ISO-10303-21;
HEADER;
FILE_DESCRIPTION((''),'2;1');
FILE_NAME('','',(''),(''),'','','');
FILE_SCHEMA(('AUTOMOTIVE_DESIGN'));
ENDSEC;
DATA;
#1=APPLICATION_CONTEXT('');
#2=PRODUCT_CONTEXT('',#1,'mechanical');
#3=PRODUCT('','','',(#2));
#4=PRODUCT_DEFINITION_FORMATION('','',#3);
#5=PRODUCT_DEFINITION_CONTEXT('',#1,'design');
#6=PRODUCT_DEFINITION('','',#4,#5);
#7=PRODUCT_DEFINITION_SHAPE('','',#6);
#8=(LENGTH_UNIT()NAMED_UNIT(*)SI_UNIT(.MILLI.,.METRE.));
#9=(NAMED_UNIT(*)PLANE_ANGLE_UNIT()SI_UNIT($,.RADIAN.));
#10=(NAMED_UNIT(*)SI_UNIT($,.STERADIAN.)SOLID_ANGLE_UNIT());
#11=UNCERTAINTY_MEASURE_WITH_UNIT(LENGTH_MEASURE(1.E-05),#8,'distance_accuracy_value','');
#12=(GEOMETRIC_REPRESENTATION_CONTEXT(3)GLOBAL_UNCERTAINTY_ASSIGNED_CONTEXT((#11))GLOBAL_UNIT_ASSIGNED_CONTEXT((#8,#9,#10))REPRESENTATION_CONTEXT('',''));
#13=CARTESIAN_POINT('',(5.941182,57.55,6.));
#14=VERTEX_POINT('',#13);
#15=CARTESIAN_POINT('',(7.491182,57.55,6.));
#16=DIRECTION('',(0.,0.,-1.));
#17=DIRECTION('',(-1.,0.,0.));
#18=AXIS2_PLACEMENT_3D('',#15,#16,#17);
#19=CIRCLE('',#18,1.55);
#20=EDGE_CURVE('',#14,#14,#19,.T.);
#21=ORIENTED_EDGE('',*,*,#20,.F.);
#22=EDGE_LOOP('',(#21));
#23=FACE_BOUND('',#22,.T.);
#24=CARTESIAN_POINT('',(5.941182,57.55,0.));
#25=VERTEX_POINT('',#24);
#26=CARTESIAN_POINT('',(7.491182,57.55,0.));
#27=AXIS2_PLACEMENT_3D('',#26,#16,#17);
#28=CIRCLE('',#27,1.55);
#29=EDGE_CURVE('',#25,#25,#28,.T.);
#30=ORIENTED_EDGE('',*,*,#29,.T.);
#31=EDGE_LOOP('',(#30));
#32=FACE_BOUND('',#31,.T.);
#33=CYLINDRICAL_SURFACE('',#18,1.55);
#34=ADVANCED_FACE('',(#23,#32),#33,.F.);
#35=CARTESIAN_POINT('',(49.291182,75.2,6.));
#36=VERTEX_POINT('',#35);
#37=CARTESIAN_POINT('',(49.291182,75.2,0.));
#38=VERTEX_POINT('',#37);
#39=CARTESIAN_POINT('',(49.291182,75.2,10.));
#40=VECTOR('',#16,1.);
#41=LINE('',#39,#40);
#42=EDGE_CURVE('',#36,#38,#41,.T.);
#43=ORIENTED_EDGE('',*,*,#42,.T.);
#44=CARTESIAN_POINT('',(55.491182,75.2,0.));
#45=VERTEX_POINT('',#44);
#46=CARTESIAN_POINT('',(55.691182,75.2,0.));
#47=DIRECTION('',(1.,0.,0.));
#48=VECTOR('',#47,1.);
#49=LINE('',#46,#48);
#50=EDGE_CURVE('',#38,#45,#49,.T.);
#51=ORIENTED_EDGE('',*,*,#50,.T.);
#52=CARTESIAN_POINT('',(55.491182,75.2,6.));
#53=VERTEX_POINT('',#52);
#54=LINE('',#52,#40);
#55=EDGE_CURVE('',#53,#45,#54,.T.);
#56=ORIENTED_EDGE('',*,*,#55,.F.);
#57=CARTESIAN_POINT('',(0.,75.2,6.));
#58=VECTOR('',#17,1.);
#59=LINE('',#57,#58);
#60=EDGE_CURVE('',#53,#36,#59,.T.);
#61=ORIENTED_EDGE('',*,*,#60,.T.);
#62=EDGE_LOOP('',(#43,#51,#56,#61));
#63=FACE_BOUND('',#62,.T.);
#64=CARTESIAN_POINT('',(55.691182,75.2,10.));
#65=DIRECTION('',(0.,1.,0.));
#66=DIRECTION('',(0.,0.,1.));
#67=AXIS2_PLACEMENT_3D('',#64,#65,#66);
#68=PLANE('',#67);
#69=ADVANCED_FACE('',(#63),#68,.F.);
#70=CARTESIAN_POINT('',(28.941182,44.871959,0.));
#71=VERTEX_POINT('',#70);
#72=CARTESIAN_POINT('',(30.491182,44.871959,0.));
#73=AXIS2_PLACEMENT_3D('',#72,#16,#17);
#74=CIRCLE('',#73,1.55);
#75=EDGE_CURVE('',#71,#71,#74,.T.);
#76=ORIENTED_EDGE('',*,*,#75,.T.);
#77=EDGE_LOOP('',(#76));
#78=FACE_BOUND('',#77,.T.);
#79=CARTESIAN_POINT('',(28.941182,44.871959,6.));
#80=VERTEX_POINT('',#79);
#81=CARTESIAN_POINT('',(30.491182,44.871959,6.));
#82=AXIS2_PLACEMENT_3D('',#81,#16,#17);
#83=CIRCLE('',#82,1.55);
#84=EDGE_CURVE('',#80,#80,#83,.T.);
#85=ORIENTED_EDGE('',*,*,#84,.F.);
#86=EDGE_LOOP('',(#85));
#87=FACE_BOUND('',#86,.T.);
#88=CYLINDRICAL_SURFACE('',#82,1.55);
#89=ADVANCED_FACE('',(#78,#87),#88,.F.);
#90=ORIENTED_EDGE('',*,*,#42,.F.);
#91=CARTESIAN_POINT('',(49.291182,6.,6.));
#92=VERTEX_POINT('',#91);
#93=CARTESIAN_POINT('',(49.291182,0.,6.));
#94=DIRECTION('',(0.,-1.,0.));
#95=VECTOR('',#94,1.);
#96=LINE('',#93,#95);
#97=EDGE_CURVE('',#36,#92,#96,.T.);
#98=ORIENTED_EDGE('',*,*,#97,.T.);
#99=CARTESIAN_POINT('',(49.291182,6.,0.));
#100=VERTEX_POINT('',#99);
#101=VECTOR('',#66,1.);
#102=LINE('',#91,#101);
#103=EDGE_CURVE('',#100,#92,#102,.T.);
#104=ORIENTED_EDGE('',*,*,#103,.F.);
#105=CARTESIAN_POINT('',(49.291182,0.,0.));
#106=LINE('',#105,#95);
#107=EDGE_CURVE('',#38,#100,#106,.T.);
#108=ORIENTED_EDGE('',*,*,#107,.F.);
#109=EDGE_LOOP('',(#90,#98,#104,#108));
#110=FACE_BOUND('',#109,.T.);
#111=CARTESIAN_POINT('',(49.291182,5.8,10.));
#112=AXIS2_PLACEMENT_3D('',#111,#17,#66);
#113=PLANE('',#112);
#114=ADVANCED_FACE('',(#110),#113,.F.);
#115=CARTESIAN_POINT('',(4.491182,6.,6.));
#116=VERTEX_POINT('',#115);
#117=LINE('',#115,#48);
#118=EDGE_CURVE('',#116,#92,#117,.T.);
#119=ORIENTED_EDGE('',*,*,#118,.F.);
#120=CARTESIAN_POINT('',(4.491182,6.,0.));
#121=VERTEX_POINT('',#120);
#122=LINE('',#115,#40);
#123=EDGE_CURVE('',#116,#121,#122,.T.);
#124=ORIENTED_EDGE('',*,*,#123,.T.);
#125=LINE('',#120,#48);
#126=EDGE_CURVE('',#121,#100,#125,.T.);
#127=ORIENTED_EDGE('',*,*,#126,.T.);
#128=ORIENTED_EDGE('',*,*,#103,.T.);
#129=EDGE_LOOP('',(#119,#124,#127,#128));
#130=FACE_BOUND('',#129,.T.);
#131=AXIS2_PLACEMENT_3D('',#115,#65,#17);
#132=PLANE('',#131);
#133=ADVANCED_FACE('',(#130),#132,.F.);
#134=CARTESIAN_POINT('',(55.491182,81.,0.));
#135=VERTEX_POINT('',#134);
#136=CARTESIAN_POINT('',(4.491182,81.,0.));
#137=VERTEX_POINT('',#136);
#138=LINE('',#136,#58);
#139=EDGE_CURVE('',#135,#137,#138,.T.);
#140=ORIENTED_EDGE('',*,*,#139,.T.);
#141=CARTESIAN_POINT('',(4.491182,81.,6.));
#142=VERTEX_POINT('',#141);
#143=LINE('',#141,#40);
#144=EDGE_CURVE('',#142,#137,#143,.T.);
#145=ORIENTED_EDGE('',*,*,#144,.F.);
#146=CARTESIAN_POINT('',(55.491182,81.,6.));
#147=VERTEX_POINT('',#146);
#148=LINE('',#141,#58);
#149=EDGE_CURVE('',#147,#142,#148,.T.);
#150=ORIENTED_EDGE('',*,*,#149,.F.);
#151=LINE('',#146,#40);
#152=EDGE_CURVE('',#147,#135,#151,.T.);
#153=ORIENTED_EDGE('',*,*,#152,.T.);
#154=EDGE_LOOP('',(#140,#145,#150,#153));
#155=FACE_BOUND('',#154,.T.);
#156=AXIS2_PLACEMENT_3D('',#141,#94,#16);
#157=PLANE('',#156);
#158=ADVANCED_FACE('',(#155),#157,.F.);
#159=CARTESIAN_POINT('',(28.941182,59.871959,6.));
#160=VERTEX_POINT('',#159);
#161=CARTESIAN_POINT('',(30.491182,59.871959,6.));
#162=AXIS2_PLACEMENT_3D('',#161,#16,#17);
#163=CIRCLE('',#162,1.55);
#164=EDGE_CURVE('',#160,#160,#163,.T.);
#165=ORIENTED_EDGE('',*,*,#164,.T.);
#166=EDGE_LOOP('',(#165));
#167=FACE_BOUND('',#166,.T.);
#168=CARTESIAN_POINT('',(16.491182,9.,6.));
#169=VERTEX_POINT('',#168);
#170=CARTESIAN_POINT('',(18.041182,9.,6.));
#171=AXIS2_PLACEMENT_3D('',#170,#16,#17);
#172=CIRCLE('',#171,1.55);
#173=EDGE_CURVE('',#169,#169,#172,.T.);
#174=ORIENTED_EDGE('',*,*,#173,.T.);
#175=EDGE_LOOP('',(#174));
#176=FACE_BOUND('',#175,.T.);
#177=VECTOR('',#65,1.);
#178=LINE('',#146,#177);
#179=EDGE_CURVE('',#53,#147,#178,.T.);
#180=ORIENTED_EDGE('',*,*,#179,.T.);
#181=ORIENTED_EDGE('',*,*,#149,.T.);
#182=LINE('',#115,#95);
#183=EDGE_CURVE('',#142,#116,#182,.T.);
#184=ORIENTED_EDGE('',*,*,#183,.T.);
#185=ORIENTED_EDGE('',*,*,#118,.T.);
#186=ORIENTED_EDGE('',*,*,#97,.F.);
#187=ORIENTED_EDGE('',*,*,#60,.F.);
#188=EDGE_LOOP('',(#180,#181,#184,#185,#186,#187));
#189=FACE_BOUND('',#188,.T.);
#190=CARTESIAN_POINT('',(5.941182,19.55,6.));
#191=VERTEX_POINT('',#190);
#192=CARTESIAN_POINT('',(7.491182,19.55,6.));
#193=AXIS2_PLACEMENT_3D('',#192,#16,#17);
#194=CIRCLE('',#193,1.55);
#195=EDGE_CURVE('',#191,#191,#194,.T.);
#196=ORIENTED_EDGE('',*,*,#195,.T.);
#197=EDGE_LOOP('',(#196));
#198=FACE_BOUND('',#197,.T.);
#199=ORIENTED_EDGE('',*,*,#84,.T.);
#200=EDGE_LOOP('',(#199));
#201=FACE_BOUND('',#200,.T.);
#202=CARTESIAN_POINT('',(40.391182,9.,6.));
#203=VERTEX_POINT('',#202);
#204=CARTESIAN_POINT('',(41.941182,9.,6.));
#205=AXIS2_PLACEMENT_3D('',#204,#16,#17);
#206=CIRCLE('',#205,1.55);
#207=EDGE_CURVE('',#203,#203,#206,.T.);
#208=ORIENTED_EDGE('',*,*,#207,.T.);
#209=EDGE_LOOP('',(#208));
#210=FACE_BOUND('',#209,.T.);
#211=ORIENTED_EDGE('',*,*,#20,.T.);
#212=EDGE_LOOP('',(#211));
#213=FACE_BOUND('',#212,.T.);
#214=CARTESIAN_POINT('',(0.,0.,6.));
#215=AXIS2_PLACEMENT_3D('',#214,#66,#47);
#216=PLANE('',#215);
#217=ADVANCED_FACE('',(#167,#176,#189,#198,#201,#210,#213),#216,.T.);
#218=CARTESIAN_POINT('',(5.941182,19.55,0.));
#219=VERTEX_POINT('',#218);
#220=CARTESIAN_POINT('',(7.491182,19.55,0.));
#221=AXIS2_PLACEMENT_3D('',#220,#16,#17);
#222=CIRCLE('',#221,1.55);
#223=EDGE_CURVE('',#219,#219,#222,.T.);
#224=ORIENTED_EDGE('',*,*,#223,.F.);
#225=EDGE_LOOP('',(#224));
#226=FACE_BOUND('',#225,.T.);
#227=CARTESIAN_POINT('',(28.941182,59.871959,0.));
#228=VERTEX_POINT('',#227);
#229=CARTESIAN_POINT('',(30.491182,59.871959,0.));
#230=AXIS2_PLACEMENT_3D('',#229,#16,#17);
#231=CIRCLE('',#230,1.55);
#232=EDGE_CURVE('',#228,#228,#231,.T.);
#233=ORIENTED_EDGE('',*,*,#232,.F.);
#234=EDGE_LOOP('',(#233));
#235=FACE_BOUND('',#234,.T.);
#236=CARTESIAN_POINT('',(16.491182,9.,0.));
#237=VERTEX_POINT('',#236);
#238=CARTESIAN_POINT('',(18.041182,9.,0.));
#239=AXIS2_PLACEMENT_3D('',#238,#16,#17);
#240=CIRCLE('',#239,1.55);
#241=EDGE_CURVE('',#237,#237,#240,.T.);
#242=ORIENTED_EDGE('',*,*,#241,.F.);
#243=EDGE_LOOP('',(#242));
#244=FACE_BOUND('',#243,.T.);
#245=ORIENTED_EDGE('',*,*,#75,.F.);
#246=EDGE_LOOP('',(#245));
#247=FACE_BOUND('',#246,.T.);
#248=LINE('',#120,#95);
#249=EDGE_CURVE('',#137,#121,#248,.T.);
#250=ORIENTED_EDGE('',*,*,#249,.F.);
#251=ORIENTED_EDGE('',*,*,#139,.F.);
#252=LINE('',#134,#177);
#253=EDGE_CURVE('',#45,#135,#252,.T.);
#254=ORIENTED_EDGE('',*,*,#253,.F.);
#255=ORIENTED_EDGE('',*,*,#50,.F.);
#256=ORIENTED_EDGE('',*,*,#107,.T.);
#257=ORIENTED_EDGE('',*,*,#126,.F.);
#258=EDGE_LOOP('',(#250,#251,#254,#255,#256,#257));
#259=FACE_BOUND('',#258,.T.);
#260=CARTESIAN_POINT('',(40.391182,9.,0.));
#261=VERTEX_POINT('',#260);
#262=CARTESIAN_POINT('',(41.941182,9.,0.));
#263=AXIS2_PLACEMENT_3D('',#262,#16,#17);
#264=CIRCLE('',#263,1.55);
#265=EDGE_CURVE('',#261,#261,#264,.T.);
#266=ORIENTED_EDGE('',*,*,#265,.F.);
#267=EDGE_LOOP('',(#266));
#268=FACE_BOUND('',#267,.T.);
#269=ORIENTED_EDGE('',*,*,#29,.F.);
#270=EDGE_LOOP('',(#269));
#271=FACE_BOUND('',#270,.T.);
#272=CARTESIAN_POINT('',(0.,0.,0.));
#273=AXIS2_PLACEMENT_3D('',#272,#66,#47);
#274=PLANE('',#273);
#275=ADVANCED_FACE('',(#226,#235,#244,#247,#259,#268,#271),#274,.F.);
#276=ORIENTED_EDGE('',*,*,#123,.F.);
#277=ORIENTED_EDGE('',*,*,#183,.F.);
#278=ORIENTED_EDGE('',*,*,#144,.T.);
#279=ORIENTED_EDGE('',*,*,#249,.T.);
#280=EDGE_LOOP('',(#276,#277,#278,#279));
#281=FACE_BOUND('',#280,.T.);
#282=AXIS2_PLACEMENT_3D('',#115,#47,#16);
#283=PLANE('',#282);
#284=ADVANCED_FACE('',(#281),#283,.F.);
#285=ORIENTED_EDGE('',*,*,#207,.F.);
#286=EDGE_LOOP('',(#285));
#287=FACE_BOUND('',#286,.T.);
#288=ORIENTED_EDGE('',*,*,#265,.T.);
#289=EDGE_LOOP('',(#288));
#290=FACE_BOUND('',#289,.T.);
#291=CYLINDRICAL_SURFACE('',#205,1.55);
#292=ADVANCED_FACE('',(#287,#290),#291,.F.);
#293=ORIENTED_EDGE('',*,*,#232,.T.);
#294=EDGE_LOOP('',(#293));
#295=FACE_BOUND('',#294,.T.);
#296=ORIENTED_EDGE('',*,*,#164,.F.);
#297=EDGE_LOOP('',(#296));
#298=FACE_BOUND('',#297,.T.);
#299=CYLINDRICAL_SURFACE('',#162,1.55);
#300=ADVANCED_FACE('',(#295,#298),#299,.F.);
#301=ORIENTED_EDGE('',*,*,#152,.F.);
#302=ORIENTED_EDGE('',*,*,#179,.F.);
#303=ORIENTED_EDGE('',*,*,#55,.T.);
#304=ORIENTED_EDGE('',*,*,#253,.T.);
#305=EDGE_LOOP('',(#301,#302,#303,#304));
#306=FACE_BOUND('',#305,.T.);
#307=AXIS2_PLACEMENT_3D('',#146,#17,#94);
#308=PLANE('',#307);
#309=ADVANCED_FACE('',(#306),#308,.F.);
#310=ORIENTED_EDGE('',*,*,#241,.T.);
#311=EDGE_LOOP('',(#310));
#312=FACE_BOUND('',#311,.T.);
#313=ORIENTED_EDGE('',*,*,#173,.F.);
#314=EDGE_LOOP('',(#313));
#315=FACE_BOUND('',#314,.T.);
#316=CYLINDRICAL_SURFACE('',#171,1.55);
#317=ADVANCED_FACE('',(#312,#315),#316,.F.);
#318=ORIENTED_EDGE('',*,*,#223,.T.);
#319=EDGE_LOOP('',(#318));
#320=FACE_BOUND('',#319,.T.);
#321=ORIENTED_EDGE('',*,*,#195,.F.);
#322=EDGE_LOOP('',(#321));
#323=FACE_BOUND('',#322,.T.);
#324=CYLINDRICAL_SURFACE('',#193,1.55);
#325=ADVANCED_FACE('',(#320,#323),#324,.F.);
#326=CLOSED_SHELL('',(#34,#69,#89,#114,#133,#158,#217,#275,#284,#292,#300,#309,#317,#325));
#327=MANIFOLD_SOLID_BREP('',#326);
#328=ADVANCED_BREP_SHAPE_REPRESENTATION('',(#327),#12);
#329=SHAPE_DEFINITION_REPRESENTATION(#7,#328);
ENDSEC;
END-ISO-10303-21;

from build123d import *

# Parameters (mm, degrees)
SZKIC1_W                    = 51
SZKIC1_H                    = 75
DODANIE_WYCI_GNI_CIE1_DEPTH = 6
SZKIC3_R                    = 1.55
WYTNIJ_WYCI_GNI_CIE1_DEPTH  = 99.368039697
SZKIC5_R                    = 1.55
WYTNIJ_WYCI_GNI_CIE2_DEPTH  = 6
SZKIC6_W                    = 6.4
SZKIC6_H                    = 69.4
WYTNIJ_WYCI_GNI_CIE3_DEPTH  = 10


with BuildPart() as part:
    # Szkic1 → Dodanie-wyciągnięcie1 (new body)
    with BuildSketch(Plane.XY):
        with Locations((29.991181586, 43.5)):
            Rectangle(SZKIC1_W, SZKIC1_H)
    extrude(amount=DODANIE_WYCI_GNI_CIE1_DEPTH)

    # Szkic3 → Wytnij-wyciągnięcie1 (cut, through all)
    with BuildSketch(Plane(origin=(0, 0, 0), x_dir=(-1, 0, 0), z_dir=(0, 0, -1))):
        with Locations((-18.041181586, 9)):
            Circle(SZKIC3_R)
        with Locations((-41.941181586, 9)):
            Circle(SZKIC3_R)
        with Locations((-7.491181586, 19.55)):
            Circle(SZKIC3_R)
        with Locations((-7.491181586, 57.55)):
            Circle(SZKIC3_R)
    extrude(amount=-WYTNIJ_WYCI_GNI_CIE1_DEPTH, mode=Mode.SUBTRACT)

    # Szkic5 → Wytnij-wyciągnięcie2 (cut)
    with BuildSketch(Plane(origin=(0, 0, 0), x_dir=(-1, 0, 0), z_dir=(0, 0, -1))):
        with Locations((-30.491181586, 59.871958533)):
            Circle(SZKIC5_R)
        with Locations((-30.491181586, 44.871958533)):
            Circle(SZKIC5_R)
    extrude(amount=-WYTNIJ_WYCI_GNI_CIE2_DEPTH, mode=Mode.SUBTRACT)

    # Szkic6 → Wytnij-wyciągnięcie3 (cut)
    with BuildSketch(Plane(origin=(0, 0, 0), x_dir=(-1, 0, 0), z_dir=(0, 0, -1))):
        with Locations((-52.491181586, 40.5)):
            Rectangle(SZKIC6_W, SZKIC6_H)
    extrude(amount=-WYTNIJ_WYCI_GNI_CIE3_DEPTH, mode=Mode.SUBTRACT)


solid = part.part
